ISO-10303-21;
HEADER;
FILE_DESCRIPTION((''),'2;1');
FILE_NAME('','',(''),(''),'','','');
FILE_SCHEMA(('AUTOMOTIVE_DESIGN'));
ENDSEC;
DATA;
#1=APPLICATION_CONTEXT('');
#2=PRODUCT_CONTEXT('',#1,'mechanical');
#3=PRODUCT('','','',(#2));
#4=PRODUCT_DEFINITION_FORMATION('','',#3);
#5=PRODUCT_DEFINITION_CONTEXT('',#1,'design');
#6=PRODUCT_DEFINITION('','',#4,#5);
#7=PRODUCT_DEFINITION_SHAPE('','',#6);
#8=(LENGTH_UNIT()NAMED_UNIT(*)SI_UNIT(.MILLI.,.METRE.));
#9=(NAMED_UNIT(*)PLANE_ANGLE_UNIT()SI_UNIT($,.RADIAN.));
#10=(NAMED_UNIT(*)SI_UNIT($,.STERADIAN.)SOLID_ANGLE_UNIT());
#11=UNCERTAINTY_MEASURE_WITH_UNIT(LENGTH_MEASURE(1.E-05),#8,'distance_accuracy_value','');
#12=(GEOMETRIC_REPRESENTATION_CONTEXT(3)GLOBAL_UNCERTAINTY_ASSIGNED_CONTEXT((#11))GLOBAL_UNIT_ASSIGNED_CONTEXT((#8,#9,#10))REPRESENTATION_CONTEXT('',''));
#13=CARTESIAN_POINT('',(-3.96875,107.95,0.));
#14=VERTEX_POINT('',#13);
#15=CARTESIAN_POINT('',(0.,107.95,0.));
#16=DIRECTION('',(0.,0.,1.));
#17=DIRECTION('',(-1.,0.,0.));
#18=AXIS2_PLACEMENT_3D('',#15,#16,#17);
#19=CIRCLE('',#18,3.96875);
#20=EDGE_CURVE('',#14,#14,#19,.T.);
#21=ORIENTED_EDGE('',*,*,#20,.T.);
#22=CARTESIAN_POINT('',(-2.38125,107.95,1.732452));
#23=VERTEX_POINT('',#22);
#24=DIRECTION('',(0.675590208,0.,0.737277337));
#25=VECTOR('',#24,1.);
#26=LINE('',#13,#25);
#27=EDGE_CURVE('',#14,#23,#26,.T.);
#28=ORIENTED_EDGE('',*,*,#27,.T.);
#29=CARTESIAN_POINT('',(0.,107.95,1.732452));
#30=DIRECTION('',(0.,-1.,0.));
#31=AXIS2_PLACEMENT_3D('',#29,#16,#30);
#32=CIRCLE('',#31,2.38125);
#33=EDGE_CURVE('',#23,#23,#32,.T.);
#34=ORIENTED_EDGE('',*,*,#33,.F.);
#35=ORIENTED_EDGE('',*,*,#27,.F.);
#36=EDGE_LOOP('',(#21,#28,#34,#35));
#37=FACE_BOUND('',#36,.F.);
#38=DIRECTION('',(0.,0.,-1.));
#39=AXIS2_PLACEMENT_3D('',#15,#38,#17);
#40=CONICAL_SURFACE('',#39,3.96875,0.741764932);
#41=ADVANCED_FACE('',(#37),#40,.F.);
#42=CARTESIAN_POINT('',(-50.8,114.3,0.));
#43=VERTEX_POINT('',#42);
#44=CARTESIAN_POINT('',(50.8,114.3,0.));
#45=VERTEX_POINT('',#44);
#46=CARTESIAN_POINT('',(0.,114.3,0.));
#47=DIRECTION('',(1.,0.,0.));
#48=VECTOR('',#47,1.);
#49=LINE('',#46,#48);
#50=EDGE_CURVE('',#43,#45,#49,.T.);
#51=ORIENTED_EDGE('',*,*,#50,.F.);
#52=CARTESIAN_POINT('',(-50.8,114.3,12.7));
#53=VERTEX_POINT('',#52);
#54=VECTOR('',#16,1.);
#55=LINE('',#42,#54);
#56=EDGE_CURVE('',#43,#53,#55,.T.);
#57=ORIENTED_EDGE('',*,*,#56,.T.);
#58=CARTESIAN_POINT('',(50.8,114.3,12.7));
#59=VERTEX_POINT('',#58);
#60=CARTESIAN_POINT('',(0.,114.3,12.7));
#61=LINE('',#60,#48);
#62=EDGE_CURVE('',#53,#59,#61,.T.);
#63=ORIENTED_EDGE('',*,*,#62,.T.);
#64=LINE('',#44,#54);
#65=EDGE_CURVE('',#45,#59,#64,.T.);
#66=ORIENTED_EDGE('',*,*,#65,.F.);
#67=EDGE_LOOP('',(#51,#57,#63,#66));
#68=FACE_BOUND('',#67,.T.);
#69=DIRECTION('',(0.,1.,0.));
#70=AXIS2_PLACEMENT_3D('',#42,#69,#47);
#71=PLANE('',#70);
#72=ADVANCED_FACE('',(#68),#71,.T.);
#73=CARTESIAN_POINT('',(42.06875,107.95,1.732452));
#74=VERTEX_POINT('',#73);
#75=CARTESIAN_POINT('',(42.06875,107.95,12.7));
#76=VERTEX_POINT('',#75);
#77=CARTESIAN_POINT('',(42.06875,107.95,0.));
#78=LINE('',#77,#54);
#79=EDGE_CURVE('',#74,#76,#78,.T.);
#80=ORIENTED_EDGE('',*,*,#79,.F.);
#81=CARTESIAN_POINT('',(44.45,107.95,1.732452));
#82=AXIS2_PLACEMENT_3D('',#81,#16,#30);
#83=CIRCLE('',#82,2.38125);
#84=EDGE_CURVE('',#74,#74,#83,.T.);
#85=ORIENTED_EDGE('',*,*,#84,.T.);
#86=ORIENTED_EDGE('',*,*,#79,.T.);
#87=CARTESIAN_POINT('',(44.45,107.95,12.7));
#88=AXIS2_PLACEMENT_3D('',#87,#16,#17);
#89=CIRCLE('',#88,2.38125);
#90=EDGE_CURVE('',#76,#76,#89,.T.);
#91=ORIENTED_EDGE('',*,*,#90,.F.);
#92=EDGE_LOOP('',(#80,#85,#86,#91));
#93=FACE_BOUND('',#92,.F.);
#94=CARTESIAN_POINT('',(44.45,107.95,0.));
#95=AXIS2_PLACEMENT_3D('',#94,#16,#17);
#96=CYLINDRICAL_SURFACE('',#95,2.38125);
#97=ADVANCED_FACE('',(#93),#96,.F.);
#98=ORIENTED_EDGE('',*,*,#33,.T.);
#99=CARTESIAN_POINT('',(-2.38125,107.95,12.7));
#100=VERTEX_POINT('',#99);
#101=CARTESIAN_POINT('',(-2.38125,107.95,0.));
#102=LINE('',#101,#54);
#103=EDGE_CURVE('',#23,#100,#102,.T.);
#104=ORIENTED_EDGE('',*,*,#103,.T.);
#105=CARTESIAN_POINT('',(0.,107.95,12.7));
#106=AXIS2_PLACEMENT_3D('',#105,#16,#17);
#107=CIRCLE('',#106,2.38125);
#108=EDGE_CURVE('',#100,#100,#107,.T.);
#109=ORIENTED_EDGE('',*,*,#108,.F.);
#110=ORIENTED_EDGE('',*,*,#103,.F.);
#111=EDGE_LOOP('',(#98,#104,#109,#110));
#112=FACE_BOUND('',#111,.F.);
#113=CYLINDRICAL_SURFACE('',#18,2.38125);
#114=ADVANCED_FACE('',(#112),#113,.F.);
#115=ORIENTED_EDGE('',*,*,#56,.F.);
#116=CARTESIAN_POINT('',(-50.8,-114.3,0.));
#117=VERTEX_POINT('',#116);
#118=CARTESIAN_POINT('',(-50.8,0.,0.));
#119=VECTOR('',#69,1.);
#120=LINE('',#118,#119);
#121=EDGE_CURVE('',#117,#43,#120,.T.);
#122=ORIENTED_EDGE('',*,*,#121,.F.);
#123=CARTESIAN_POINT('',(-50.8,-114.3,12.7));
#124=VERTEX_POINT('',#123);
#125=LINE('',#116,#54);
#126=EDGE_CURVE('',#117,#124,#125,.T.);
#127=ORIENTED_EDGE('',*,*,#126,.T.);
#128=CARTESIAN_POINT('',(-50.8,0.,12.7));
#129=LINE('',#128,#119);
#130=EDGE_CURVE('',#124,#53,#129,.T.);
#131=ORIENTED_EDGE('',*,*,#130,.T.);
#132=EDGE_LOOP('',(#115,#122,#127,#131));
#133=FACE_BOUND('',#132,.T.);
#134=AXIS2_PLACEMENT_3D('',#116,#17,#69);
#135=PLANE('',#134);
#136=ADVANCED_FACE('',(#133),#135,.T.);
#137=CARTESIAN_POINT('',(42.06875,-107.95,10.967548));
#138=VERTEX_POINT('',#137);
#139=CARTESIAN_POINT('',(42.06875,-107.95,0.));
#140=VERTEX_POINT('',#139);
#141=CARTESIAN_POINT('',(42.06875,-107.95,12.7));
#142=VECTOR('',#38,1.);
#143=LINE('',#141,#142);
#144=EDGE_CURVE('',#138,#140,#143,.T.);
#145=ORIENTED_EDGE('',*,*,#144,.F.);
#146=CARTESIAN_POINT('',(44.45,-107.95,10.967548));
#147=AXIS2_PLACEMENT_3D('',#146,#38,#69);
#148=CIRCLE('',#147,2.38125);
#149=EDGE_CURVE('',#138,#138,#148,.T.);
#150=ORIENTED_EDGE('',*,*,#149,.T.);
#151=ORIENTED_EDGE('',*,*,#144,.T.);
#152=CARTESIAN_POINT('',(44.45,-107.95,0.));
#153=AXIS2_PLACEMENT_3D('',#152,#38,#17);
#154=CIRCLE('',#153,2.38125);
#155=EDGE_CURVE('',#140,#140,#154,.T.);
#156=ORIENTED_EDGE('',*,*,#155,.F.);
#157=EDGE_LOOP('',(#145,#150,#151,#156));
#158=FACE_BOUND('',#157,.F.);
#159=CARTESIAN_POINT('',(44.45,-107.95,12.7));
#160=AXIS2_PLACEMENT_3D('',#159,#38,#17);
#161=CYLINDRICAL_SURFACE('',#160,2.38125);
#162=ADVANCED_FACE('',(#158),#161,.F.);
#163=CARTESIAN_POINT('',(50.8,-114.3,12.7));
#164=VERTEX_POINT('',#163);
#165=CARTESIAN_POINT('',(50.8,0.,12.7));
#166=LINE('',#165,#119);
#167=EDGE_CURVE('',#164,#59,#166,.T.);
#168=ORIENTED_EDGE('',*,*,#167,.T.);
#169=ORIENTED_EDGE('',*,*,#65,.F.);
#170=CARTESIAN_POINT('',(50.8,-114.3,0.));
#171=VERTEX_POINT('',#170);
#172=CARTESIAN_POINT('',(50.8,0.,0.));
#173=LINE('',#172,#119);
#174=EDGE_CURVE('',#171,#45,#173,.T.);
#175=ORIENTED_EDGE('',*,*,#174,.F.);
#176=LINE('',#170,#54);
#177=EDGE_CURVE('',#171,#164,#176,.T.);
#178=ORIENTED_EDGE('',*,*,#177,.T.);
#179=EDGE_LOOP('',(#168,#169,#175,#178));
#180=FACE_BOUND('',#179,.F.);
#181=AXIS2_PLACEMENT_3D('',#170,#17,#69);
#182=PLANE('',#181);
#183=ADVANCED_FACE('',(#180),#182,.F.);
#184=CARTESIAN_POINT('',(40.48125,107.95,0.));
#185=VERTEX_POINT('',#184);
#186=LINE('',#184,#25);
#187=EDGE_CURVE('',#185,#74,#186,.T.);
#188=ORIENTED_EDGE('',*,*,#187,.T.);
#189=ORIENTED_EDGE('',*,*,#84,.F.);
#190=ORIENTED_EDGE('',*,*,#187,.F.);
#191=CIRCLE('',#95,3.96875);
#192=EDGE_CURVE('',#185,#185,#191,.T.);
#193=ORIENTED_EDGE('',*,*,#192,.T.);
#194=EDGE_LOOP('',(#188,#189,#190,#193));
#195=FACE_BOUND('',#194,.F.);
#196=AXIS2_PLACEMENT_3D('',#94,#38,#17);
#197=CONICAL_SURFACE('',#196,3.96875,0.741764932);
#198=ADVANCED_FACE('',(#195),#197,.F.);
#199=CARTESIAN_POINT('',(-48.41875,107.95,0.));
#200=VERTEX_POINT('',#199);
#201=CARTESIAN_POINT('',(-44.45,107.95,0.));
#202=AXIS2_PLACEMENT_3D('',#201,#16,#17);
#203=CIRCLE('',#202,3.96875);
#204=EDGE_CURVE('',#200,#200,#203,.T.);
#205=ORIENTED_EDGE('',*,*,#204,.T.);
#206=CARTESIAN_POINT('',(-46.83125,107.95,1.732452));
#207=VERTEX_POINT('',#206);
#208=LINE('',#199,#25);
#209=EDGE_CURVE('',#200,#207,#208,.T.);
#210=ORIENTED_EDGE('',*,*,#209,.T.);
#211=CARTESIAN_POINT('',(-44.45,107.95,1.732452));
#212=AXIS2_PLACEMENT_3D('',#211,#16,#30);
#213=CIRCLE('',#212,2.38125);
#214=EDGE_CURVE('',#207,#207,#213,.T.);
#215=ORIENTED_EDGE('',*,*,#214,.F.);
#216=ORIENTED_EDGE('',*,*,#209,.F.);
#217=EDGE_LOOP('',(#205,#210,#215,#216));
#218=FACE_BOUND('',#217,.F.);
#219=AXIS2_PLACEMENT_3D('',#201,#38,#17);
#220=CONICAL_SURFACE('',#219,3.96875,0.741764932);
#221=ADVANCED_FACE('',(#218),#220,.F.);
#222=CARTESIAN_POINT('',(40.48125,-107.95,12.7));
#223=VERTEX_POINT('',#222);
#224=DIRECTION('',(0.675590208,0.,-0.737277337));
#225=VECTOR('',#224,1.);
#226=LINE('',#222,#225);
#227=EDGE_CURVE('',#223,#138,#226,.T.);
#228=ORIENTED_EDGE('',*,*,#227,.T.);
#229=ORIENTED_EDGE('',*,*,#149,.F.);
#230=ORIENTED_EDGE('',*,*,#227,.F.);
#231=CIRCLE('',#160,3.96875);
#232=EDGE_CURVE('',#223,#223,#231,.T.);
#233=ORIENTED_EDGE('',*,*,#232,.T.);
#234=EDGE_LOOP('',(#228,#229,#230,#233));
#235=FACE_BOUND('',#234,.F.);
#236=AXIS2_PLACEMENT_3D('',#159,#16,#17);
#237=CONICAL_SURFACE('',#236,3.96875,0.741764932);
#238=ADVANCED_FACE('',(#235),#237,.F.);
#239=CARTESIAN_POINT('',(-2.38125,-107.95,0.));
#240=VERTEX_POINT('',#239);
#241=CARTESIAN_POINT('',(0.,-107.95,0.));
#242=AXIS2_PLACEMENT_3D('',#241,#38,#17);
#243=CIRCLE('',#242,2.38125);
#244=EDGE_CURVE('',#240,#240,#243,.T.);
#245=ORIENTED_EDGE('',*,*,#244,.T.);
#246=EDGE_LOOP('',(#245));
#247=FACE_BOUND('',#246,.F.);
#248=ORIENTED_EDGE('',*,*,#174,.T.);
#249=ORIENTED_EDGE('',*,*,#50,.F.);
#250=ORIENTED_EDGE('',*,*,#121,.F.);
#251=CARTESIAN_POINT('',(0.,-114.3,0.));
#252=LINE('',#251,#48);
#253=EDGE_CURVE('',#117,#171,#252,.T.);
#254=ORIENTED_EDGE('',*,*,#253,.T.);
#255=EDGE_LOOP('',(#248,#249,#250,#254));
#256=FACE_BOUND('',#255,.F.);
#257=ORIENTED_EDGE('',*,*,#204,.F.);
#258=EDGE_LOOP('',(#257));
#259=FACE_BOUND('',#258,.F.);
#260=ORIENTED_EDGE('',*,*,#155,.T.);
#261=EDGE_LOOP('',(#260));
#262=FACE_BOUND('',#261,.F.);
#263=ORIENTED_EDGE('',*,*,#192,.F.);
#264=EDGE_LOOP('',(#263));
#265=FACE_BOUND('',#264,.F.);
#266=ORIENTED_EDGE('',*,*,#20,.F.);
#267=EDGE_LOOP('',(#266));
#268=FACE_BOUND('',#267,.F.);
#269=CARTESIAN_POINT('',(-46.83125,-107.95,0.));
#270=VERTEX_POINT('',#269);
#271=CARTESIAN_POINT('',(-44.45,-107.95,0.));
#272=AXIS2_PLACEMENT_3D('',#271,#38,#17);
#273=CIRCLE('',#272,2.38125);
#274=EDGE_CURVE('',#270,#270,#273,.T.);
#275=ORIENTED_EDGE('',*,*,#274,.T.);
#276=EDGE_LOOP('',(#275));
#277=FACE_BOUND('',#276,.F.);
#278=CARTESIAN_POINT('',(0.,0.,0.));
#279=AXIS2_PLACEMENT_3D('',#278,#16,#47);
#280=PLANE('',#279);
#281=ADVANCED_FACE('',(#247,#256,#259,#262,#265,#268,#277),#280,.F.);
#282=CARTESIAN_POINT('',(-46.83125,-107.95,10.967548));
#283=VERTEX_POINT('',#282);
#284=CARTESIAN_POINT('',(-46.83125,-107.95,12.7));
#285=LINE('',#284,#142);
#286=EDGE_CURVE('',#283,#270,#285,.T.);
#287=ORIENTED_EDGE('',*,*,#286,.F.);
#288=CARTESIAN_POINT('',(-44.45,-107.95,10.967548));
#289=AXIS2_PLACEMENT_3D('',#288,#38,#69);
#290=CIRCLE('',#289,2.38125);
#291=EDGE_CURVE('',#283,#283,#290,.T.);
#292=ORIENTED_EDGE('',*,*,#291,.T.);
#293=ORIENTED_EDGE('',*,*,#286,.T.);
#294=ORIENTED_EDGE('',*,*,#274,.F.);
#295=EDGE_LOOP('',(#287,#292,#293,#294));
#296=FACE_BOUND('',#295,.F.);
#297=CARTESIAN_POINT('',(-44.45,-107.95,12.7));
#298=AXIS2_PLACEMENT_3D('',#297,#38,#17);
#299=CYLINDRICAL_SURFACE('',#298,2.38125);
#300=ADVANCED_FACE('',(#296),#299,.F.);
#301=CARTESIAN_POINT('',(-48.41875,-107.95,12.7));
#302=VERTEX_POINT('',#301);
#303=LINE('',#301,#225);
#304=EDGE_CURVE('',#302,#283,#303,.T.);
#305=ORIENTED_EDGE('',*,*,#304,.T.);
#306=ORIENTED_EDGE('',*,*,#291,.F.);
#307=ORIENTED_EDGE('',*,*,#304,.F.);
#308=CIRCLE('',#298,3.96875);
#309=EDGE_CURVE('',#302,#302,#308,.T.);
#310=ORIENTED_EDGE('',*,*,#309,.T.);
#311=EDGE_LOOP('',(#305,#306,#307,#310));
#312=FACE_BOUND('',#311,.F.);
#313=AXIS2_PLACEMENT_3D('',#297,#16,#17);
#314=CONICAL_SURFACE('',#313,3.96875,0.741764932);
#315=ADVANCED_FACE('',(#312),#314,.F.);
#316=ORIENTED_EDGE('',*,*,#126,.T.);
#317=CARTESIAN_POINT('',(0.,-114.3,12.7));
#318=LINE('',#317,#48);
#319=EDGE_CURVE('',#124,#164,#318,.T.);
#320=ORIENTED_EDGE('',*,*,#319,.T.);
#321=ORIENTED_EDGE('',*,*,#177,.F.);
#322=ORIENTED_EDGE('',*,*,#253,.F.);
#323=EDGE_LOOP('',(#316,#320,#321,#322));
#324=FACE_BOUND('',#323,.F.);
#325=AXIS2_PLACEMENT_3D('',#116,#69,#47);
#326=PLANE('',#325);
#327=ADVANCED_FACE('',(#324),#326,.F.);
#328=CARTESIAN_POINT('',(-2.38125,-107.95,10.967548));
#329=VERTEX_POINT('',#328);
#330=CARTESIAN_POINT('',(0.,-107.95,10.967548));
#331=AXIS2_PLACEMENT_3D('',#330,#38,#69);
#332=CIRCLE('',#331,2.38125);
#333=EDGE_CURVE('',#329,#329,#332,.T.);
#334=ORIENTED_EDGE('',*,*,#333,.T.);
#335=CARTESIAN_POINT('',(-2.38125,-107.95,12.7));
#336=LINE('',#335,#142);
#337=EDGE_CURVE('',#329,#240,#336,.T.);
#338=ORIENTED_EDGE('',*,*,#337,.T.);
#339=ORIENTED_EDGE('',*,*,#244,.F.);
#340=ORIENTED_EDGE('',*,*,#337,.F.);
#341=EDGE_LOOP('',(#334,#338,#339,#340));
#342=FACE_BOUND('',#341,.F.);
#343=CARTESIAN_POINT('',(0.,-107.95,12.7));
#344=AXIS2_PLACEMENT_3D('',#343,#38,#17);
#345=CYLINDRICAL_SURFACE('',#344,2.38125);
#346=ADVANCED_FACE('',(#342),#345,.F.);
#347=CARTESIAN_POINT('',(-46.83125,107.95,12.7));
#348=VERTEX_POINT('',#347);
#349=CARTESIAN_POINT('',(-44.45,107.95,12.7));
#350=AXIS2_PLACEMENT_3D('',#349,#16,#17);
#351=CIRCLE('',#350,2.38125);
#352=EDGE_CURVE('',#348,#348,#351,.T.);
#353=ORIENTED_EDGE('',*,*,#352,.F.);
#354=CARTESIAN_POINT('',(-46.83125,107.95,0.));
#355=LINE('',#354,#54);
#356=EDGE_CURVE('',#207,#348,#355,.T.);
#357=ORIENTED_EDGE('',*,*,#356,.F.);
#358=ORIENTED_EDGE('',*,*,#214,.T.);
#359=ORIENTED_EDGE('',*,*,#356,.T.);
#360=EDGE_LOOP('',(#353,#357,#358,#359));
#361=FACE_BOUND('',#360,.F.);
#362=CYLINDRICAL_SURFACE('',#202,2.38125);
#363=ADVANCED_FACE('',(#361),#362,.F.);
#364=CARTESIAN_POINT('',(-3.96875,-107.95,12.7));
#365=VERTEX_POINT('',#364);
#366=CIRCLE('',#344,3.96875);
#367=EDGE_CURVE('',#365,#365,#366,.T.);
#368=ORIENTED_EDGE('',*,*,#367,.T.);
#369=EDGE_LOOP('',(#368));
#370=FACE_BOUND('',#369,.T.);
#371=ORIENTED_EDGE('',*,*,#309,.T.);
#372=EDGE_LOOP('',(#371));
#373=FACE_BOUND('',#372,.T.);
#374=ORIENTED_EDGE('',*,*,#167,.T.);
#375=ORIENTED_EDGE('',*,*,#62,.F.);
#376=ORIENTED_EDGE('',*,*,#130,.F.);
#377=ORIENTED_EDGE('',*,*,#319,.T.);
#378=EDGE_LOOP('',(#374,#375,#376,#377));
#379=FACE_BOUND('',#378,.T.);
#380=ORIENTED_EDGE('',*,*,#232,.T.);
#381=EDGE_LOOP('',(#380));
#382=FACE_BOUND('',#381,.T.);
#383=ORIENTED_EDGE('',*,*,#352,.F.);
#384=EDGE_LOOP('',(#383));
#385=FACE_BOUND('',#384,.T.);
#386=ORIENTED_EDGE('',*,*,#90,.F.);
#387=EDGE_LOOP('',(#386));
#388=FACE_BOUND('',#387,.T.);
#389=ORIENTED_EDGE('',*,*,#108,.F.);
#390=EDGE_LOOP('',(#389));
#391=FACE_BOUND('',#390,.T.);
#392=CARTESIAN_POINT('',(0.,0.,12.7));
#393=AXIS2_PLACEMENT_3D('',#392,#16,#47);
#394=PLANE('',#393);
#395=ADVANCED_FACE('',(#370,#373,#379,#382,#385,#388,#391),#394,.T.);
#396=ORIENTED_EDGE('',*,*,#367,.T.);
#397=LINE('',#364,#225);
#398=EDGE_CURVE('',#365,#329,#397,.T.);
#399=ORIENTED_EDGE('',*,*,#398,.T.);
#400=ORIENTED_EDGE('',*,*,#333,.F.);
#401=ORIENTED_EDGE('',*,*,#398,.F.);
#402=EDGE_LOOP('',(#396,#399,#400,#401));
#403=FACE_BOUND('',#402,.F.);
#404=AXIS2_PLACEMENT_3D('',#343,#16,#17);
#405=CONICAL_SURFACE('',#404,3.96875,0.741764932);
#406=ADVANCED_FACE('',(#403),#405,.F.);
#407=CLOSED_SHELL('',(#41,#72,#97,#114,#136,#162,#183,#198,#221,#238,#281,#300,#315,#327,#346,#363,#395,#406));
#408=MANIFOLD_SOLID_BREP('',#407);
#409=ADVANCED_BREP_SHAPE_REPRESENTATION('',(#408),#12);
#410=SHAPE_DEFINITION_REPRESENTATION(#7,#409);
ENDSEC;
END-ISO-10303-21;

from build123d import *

# Parameters (mm, degrees)
F0_W           = 101.6
F0_H           = 228.6
F1_DEPTH       = 12.7
F3_D           = 4.7625
F3_CSINK_D     = 7.9375
F3_CSINK_ANGLE = 85
F5_D           = 4.7625
F5_CSINK_D     = 7.9375
F5_CSINK_ANGLE = 85


with BuildPart() as f1:
    # F0 (on Top) → F1 (new body)
    with BuildSketch(Plane.XY):
        Rectangle(F0_W, F0_H)
    extrude(amount=F1_DEPTH)

    # F3 (through all)
    with Locations(Plane.XY.offset(12.7)):
        with Locations((-44.45, -107.95), (0, -107.95), (44.45, -107.95)):
            CounterSinkHole(F3_D / 2, F3_CSINK_D / 2, counter_sink_angle=F3_CSINK_ANGLE)

    # F5 (through all)
    with Locations(Plane(origin=(0, 0, 0), x_dir=(1, 0, 0), z_dir=(0, 0, -1))):
        with Locations((44.45, -107.95), (0, -107.95), (-44.45, -107.95)):
            CounterSinkHole(F5_D / 2, F5_CSINK_D / 2, counter_sink_angle=F5_CSINK_ANGLE)


solid = f1.part
